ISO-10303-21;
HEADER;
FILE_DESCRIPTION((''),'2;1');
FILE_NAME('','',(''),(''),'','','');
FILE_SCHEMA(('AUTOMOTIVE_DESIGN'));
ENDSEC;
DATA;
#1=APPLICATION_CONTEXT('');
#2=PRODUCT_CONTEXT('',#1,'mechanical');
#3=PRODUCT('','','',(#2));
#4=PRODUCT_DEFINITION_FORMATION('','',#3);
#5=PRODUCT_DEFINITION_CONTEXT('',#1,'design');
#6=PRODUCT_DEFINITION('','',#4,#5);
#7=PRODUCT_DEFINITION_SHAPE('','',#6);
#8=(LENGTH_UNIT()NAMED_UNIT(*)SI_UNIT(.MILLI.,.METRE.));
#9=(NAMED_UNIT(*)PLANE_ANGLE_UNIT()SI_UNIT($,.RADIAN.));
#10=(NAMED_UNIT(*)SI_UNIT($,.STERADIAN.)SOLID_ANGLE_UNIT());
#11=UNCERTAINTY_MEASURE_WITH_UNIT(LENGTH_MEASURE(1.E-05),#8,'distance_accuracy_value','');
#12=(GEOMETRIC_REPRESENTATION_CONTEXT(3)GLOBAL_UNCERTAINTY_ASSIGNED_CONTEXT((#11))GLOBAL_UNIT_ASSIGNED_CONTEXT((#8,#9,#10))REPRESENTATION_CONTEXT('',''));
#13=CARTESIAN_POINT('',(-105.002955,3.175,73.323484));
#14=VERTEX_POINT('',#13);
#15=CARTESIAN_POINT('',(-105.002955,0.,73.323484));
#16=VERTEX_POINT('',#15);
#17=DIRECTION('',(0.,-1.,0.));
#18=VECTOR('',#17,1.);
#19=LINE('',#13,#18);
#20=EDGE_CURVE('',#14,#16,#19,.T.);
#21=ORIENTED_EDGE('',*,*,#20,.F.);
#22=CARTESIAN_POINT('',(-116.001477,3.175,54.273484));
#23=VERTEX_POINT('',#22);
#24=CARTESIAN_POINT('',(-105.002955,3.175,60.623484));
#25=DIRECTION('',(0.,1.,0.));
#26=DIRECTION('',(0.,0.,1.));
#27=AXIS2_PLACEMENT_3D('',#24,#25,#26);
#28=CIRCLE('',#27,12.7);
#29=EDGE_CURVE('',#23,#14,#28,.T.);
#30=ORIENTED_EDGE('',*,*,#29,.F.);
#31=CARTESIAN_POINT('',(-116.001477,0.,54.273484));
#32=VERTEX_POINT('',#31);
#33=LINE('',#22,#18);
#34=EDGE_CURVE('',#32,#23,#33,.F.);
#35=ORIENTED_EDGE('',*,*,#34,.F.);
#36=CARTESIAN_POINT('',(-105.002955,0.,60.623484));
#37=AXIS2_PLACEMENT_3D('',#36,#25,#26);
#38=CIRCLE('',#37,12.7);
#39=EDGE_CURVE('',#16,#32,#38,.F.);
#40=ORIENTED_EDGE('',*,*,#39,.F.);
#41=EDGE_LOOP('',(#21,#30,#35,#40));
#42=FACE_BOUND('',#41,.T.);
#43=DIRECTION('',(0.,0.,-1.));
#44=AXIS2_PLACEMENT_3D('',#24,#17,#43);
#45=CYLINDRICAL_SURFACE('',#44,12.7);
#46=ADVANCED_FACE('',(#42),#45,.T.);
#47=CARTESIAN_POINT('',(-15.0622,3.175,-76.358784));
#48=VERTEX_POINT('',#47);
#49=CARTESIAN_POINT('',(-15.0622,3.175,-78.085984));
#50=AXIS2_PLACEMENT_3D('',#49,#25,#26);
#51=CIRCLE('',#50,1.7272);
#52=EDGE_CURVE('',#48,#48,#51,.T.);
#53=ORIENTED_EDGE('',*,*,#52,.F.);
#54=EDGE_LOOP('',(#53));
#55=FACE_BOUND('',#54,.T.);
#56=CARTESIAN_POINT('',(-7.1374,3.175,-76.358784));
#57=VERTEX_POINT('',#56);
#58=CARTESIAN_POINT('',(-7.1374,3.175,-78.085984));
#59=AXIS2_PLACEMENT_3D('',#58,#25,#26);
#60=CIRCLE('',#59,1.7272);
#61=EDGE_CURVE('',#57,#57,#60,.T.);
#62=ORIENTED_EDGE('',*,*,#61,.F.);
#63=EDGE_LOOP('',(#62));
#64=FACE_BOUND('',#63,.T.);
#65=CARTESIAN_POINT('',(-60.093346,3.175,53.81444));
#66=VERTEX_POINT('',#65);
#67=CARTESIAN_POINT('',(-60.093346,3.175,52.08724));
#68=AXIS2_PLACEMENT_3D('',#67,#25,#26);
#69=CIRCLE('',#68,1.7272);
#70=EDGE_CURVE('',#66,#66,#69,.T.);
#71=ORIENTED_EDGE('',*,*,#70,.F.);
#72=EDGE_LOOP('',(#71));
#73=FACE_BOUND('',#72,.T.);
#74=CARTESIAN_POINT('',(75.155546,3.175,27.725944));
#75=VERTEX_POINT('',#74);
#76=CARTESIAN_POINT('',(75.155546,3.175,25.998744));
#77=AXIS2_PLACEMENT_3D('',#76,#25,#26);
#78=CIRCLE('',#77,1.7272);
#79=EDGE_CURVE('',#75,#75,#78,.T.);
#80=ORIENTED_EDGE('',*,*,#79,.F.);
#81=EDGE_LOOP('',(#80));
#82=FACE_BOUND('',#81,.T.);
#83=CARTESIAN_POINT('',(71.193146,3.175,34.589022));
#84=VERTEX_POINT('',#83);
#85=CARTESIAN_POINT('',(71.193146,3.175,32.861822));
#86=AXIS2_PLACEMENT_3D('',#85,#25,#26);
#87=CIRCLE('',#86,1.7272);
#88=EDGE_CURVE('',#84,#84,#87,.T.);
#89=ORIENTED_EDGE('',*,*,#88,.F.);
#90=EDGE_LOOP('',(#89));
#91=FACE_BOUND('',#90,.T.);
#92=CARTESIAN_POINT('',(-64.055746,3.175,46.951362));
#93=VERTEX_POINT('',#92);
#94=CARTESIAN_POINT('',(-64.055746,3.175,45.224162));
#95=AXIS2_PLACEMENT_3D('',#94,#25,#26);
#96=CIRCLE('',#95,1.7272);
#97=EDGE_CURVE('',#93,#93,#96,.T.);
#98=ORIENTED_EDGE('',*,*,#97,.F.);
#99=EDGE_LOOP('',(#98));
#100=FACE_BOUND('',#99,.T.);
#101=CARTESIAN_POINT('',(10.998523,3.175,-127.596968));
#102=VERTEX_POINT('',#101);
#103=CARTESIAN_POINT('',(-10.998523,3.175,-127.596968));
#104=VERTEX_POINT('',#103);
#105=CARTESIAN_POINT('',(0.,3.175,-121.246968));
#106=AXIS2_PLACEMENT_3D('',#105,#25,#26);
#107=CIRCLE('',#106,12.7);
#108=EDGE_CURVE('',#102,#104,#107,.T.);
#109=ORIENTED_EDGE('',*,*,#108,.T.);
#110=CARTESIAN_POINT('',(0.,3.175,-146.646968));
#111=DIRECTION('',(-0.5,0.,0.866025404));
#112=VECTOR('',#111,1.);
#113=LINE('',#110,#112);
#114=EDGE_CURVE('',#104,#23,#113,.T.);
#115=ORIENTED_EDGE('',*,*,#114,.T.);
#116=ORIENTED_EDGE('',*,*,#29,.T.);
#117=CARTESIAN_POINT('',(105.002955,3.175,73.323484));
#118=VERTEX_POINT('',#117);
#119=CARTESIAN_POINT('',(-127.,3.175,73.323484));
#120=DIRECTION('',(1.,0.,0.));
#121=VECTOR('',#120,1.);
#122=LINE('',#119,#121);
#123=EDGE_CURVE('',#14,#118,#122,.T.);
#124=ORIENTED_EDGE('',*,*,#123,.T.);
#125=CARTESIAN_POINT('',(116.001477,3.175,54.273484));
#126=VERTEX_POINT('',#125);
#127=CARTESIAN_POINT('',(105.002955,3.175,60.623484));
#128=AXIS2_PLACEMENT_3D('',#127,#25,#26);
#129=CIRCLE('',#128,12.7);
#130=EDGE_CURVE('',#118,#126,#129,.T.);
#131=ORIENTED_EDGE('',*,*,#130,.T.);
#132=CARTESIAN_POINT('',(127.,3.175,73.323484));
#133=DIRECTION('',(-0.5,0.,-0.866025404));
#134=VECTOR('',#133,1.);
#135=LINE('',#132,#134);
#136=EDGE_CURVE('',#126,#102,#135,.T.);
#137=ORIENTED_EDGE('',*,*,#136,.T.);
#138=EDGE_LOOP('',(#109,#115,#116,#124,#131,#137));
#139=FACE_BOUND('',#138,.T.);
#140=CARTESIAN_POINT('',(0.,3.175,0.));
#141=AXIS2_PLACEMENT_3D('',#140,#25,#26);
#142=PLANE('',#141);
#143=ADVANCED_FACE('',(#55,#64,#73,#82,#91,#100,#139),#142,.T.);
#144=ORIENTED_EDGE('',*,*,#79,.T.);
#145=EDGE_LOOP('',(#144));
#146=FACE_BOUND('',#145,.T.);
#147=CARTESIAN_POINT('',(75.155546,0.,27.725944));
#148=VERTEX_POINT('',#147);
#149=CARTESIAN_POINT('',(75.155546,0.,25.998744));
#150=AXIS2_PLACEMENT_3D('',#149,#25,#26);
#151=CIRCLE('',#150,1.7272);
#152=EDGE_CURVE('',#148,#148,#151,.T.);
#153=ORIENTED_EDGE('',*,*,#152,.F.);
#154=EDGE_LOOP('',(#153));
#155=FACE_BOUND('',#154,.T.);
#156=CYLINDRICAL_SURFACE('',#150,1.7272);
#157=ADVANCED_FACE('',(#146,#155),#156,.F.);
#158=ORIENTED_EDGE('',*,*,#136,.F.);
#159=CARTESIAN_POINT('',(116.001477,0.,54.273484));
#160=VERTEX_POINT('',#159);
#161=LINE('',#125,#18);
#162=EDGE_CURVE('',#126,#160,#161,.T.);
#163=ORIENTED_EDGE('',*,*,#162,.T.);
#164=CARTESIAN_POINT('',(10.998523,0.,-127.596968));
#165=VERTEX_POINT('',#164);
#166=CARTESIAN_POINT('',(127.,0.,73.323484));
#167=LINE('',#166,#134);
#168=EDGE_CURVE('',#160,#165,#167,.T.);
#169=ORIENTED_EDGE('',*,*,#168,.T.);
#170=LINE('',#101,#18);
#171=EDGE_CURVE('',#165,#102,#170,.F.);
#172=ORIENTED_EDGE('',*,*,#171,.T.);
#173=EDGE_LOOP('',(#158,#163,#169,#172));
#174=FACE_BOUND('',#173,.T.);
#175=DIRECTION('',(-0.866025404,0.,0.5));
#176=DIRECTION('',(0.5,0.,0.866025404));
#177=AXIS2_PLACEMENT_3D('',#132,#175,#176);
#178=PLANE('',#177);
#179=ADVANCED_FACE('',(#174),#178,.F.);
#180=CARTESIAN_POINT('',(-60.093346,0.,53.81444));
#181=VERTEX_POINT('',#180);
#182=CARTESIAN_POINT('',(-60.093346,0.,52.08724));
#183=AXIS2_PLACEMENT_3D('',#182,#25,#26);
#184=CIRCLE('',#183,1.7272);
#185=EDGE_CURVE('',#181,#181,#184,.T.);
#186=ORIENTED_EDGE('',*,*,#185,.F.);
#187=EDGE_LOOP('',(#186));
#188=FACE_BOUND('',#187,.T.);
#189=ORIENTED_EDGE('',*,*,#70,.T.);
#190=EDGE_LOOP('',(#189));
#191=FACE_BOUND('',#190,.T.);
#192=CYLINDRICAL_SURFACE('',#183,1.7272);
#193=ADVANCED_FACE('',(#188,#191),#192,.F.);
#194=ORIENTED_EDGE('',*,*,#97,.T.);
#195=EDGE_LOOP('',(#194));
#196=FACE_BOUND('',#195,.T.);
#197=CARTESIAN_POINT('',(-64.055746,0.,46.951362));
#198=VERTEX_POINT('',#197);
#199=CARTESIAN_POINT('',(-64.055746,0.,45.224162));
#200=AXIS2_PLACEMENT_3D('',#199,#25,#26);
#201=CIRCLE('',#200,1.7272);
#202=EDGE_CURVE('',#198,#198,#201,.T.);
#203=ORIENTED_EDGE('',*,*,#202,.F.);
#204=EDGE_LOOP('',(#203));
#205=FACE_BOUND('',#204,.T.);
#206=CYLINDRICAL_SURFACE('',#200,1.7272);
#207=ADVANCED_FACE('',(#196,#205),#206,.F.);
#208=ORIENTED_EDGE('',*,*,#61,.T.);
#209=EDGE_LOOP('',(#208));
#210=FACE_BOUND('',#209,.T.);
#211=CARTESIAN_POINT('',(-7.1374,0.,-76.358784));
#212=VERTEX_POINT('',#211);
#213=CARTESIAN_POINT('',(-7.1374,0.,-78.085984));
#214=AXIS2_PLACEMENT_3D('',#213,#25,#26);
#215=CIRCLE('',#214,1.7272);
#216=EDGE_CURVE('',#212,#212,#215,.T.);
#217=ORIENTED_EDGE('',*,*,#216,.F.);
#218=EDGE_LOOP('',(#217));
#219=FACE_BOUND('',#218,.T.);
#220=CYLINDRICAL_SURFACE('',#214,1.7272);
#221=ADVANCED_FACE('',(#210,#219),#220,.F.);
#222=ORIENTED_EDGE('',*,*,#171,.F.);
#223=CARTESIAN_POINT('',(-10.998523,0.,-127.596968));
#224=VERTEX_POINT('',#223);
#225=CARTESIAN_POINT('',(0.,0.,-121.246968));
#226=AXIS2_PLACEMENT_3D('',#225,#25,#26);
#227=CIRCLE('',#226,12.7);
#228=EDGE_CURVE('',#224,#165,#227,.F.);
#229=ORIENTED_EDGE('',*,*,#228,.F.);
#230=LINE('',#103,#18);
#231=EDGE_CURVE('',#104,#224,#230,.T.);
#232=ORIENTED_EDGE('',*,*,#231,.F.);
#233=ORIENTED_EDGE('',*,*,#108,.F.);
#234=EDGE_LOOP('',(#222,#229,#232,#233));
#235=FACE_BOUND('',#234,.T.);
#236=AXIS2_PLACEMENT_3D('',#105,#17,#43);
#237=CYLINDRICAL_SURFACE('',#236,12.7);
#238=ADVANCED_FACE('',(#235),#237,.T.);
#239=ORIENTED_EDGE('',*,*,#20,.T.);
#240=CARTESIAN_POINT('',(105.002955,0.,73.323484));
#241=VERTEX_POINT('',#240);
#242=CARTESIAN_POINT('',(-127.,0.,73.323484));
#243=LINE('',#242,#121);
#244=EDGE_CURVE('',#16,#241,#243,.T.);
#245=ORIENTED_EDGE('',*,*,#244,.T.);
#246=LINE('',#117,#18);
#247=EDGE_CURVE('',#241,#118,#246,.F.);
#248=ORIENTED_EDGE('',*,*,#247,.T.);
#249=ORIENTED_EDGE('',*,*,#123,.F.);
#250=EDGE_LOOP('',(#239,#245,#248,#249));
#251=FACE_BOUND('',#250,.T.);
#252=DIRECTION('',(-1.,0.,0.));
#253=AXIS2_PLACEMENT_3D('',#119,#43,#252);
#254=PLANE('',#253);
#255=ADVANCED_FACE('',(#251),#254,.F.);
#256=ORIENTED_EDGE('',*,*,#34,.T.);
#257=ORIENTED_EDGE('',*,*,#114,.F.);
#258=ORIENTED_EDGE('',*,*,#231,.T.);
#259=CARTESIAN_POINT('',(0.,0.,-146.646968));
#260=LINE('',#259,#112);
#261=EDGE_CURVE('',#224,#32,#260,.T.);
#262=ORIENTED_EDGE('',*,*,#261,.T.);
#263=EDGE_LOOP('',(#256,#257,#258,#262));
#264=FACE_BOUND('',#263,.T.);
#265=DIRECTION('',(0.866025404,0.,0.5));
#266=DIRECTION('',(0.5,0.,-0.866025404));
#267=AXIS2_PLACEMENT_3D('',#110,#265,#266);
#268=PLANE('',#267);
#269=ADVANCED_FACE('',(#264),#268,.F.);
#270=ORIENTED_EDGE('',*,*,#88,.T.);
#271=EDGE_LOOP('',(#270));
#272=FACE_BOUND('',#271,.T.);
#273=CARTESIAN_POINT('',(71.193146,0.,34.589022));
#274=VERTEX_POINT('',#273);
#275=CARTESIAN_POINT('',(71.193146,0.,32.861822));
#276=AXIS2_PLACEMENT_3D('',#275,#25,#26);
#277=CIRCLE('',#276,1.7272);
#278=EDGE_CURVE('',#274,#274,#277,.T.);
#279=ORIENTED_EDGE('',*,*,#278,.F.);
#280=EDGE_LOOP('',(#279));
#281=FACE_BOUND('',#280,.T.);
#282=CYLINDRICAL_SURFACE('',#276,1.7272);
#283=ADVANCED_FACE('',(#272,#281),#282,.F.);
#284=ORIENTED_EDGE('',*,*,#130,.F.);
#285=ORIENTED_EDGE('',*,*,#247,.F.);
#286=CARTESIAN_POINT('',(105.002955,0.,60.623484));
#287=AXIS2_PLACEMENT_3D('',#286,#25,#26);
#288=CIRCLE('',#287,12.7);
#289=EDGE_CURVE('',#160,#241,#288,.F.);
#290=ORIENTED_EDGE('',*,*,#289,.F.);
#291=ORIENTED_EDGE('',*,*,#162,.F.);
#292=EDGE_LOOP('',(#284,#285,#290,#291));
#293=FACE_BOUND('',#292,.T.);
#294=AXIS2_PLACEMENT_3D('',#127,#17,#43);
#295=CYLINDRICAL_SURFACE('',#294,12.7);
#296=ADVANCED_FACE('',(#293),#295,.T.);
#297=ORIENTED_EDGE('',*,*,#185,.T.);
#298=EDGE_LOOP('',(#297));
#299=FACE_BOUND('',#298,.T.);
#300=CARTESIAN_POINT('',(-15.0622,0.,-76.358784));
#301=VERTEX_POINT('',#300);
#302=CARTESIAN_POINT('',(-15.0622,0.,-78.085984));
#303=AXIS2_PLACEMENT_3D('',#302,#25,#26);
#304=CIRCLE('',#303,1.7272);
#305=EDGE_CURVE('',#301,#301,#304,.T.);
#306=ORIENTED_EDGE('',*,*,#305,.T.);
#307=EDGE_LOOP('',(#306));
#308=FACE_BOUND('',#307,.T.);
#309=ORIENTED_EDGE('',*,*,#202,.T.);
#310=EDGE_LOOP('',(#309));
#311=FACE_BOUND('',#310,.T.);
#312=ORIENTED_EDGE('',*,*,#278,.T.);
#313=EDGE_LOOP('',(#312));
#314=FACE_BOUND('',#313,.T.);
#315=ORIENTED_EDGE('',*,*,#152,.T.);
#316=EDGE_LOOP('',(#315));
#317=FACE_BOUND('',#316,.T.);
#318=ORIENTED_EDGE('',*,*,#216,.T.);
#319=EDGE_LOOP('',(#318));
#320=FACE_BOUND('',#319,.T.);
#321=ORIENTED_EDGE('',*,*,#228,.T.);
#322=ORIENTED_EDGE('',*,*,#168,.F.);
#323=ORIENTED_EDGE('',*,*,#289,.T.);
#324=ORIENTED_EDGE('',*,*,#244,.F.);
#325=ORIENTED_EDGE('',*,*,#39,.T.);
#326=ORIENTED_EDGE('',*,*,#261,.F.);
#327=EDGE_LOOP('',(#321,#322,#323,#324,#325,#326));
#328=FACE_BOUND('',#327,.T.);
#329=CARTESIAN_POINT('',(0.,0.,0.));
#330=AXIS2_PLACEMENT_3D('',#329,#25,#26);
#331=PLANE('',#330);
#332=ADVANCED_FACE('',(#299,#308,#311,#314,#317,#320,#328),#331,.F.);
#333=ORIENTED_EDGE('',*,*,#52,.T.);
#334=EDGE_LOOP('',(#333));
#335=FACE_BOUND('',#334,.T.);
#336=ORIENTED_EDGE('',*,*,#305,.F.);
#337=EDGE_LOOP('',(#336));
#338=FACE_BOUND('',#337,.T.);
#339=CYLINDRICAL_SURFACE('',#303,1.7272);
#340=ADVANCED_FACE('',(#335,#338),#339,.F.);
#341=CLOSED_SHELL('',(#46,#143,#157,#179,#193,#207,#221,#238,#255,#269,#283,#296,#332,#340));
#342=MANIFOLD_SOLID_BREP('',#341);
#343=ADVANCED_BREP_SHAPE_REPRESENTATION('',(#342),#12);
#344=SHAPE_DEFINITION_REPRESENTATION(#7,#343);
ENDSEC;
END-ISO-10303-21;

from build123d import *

# Parameters (mm, degrees)
BOSS_EXTRUDE1_DEPTH = 3.175
SKETCH2_R           = 1.7272
CUT_EXTRUDE1_DEPTH  = 195.021684248
FILLET1_R           = 12.7


with BuildPart() as part:
    # Sketch1 → Boss-Extrude1 (new body)
    with BuildSketch(Plane(origin=(0, 0, 0), x_dir=(1, 0, 0), z_dir=(0, 1, 0))):
        Polygon((0, 146.646968374), (-127, -73.323484187), (127, -73.323484187), align=None)
    extrude(amount=BOSS_EXTRUDE1_DEPTH)

    # Sketch2 → Cut-Extrude1 (cut, through all)
    with BuildSketch(Plane(origin=(0, 3.175, 0), x_dir=(1, 0, 0), z_dir=(0, 1, 0))):
        with Locations((71.193145986, -32.861822377)):
            Circle(SKETCH2_R)
        with Locations((75.155545986, -25.998744257)):
            Circle(SKETCH2_R)
        with Locations((-64.055745986, -45.224161811)):
            Circle(SKETCH2_R)
        with Locations((-60.093345986, -52.08723993)):
            Circle(SKETCH2_R)
        with Locations((-7.1374, 78.085984187)):
            Circle(SKETCH2_R)
        with Locations((-15.0622, 78.085984187)):
            Circle(SKETCH2_R)
    extrude(amount=-CUT_EXTRUDE1_DEPTH, mode=Mode.SUBTRACT)

    # Fillet1
    fillet1_edges = [part.edges().sort_by_distance(p)[0] for p in [
        (127, 1.5875, 73.323484187),
        (-127, 1.5875, 73.323484187),
        (0, 1.5875, -146.646968374),
    ]]
    fillet(fillet1_edges, radius=FILLET1_R)


solid = part.part
